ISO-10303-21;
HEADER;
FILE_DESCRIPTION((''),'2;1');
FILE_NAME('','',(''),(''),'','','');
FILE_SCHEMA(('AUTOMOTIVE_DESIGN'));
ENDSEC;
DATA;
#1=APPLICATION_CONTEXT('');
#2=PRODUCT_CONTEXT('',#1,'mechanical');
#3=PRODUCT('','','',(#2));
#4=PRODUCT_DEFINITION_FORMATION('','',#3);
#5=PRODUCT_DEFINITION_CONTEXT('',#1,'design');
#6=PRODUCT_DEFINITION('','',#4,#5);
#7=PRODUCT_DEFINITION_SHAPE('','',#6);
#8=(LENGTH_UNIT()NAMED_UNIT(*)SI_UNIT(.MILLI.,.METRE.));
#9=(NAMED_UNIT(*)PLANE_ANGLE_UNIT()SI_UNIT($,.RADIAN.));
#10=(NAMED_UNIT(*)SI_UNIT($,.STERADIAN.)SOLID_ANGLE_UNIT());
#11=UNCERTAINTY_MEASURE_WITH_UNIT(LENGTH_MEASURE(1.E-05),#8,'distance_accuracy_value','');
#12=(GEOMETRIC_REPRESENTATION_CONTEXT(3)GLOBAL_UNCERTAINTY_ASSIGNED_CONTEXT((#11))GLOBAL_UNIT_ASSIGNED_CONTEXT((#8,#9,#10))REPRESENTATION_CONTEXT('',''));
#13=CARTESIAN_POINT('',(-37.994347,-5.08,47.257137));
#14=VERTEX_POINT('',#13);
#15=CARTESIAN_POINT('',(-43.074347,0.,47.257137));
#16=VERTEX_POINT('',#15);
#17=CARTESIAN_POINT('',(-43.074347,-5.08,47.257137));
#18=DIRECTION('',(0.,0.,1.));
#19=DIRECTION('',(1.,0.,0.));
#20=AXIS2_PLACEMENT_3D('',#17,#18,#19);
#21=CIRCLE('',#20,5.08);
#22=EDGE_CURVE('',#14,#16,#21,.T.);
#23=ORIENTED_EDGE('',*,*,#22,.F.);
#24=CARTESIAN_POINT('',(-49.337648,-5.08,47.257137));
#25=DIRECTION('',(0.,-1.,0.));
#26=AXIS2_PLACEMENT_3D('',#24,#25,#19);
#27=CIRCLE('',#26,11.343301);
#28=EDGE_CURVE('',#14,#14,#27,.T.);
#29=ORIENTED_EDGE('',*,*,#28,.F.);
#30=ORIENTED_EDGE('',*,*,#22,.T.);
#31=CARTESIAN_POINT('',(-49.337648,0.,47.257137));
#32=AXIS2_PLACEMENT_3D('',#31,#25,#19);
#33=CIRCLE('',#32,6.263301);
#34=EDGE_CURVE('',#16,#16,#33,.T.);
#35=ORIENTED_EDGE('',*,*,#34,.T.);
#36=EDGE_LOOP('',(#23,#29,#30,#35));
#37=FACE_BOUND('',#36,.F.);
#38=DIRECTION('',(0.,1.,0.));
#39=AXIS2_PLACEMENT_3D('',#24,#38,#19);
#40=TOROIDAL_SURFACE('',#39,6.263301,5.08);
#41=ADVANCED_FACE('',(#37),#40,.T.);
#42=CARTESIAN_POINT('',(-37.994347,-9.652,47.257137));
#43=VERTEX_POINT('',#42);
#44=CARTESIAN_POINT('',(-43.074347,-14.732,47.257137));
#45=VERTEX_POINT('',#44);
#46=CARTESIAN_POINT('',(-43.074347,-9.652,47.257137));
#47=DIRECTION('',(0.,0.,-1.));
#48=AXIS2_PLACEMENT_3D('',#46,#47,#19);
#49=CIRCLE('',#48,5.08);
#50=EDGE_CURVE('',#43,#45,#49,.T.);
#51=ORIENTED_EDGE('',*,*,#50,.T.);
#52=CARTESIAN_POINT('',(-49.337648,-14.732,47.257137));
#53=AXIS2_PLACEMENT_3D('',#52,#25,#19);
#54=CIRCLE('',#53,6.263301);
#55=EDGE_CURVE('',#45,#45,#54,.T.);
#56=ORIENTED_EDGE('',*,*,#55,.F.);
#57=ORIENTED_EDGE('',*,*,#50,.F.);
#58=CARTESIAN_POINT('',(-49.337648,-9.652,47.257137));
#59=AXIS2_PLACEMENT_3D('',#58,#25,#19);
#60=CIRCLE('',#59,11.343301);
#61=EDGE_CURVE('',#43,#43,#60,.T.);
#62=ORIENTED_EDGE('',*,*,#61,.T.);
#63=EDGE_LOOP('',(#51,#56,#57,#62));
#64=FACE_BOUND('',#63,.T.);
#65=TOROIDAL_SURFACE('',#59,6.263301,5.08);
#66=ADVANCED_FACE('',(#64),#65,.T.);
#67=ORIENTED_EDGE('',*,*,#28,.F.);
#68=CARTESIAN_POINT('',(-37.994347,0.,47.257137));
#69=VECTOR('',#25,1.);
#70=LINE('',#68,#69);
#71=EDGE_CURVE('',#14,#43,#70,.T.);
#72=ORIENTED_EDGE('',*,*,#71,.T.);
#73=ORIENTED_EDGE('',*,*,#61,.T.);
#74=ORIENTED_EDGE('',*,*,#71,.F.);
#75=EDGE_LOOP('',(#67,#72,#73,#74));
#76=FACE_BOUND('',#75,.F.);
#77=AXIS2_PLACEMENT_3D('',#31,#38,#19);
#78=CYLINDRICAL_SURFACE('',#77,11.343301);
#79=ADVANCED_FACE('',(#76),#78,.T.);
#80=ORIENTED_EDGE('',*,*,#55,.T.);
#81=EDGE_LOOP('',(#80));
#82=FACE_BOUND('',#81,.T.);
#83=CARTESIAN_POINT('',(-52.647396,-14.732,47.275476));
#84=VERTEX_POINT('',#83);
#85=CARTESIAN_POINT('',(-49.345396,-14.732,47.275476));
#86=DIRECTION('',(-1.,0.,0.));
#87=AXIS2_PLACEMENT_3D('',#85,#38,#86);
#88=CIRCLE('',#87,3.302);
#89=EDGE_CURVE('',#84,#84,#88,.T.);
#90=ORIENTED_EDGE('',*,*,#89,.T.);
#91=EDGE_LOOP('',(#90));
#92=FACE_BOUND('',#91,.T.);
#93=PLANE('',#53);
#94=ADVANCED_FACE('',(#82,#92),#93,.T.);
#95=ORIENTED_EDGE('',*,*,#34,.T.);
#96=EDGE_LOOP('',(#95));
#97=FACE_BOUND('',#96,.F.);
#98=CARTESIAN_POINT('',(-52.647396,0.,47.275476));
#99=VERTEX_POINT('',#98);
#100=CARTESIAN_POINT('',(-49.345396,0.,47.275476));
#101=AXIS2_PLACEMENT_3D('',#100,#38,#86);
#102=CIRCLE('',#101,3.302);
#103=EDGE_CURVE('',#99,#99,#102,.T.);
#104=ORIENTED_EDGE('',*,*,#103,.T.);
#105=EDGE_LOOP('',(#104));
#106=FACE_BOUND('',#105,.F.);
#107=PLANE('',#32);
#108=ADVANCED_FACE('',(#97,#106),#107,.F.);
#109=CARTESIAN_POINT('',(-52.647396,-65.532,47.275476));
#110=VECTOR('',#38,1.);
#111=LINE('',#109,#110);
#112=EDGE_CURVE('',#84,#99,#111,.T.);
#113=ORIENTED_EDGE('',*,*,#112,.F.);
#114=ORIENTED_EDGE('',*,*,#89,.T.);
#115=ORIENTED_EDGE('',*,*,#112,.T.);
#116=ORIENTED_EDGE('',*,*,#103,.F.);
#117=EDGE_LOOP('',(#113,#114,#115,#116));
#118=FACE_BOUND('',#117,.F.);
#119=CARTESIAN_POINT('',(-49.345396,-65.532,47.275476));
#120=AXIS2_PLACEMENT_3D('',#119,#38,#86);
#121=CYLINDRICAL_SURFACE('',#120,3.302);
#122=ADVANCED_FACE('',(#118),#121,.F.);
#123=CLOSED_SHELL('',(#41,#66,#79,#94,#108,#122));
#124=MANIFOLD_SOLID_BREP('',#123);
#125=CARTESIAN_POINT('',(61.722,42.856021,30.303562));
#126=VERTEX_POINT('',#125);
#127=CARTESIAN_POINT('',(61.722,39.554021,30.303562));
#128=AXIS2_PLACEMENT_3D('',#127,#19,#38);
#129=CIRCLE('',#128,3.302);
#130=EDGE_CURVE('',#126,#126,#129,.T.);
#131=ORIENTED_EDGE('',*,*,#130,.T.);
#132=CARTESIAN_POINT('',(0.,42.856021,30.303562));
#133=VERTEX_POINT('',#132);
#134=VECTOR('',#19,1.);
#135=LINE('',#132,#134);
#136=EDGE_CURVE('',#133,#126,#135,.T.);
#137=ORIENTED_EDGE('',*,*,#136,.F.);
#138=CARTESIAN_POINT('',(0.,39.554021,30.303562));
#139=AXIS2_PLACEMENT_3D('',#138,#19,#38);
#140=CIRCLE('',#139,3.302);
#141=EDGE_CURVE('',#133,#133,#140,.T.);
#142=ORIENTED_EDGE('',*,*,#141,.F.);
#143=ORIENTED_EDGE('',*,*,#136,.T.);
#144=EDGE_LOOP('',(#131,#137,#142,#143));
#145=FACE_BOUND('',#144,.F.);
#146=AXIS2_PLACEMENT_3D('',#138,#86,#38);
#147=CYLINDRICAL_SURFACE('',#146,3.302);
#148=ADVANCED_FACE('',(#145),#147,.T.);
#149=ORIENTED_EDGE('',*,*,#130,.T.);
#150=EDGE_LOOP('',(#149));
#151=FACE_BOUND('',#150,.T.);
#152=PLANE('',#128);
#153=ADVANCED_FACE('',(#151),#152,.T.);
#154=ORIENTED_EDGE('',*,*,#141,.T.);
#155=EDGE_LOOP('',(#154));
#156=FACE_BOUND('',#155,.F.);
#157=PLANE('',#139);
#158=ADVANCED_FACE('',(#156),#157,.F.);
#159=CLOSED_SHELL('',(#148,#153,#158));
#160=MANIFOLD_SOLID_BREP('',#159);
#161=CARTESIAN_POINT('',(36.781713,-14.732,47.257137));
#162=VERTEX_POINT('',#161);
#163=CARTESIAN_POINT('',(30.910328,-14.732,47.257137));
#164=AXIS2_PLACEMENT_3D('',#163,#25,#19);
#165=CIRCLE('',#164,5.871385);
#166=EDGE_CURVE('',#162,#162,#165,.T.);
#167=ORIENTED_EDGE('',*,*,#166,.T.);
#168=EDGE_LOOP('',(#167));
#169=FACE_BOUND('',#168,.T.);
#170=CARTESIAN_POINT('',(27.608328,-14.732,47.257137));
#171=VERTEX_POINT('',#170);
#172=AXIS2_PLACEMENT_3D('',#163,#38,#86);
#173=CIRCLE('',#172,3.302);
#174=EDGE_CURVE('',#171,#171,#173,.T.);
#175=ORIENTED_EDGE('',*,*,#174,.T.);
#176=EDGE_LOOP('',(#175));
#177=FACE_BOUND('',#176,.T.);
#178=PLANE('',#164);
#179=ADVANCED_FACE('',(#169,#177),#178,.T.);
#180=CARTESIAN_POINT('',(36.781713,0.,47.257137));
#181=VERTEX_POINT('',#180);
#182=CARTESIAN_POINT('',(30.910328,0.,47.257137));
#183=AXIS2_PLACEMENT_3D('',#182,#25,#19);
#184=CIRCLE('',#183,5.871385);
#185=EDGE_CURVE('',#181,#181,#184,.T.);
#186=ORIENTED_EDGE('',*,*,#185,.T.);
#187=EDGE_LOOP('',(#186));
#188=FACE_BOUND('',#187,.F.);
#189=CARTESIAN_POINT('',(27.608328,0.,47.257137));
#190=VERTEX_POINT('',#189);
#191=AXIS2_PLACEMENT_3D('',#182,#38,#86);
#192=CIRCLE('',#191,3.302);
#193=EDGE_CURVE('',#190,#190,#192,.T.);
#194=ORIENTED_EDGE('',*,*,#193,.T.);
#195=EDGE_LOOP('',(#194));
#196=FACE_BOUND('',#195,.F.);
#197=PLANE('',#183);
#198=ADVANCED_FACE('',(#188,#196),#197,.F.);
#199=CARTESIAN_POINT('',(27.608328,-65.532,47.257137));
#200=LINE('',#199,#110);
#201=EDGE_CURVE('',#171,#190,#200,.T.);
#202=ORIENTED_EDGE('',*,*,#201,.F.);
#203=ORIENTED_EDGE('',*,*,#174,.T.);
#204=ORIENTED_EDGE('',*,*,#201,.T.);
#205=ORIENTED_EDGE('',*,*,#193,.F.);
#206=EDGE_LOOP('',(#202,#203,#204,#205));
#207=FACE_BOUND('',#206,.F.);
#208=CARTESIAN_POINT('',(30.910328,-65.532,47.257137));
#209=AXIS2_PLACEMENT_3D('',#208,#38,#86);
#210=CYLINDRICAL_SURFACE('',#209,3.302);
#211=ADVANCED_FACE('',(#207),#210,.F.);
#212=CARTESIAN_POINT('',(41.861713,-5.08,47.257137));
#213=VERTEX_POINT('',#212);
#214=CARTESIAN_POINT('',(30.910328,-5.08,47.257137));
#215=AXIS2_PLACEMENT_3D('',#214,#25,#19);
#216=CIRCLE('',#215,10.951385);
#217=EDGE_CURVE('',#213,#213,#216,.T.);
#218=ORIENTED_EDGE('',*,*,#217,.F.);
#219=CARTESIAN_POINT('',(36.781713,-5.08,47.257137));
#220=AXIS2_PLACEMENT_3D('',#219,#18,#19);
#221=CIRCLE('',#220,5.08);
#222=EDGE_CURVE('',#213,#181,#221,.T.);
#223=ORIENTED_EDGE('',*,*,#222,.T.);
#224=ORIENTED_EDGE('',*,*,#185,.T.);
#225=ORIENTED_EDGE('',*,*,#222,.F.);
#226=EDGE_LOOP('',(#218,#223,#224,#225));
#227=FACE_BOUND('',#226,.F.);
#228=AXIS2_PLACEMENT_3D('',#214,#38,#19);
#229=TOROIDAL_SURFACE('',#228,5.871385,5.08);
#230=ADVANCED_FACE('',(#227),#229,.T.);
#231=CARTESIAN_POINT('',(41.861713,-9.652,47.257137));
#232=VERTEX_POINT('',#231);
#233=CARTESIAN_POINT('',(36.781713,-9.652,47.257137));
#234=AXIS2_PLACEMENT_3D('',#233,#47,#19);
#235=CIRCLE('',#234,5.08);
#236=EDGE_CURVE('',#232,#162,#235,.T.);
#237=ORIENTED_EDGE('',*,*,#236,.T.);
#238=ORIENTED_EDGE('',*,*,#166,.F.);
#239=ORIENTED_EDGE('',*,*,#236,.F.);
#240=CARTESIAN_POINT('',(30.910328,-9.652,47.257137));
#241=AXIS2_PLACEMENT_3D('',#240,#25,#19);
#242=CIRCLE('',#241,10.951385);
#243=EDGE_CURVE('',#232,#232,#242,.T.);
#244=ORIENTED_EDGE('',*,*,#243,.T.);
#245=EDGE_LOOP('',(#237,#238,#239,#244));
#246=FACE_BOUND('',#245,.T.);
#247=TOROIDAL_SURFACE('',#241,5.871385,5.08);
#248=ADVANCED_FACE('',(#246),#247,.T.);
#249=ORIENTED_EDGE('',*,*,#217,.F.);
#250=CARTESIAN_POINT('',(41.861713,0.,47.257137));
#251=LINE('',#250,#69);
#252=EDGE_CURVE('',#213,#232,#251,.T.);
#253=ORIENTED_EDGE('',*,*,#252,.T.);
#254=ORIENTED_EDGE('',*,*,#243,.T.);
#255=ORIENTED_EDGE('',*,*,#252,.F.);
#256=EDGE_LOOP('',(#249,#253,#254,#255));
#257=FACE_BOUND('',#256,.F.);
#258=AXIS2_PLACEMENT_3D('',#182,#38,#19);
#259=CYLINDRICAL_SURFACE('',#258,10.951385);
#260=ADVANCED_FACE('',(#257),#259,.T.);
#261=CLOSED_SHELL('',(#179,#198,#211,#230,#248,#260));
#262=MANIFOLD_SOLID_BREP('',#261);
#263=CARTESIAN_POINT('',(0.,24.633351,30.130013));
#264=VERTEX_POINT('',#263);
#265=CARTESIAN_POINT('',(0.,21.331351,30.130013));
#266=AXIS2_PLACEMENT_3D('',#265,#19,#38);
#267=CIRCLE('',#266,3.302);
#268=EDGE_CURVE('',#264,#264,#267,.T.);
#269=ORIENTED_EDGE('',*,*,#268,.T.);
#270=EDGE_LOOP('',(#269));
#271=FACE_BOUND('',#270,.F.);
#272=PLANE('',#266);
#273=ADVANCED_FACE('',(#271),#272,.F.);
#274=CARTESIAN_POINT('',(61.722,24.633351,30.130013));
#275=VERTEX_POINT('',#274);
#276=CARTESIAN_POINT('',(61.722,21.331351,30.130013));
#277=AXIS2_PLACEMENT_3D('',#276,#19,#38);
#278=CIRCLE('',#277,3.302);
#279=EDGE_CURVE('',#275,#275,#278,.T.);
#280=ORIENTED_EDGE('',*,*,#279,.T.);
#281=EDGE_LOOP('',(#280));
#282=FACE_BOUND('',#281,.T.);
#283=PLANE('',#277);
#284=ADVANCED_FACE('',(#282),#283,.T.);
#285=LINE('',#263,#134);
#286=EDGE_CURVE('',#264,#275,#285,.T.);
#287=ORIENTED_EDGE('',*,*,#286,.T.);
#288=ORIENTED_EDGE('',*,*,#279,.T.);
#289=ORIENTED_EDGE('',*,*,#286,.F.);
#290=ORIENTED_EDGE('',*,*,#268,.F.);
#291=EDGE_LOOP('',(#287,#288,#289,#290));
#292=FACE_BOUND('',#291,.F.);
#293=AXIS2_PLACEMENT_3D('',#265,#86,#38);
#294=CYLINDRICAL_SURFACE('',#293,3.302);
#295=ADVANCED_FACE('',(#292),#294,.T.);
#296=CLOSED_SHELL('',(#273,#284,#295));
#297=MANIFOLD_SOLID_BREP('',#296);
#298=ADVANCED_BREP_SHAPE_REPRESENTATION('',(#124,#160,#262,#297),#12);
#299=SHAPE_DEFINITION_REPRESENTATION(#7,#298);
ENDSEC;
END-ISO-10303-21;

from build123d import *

# Parameters (mm, degrees)
F0_R     = 11.343301
F0_R_2   = 10.951385
F1_DEPTH = 14.732
F2_R     = 5.08
F3_R     = 3.302
F4_DEPTH = 61.722
F7_D     = 6.604
F7_DEPTH = 50.8
F8_D     = 6.604
F8_DEPTH = 50.8


with BuildPart() as f1:
    # F0 (on Front) → F1 (new body)
    with BuildSketch(Plane.XZ):
        with Locations((-49.337648, 47.257137)):
            Circle(F0_R)
        with Locations((30.910328, 47.257137)):
            Circle(F0_R_2)
    extrude(amount=F1_DEPTH)

    # F2
    f2_edges = [f1.edges().sort_by_distance(p)[0] for p in [
        (19.958943, -14.732, 47.257137),
        (19.958943, 0, 47.257137),
        (-60.680949, 0, 47.257137),
        (-60.680949, -14.732, 47.257137),
    ]]
    fillet(f2_edges, radius=F2_R)

    # F7
    with Locations(Plane.XZ.offset(14.732)):
        with Locations((-49.345396, 47.275476)):
            Hole(F7_D / 2, depth=F7_DEPTH)

    # F8
    with Locations(Plane.XZ.offset(14.732)):
        with Locations((30.910328, 47.257137)):
            Hole(F8_D / 2, depth=F8_DEPTH)


with BuildPart() as f4:
    # F3 (on Right) → F4 (new body)
    with BuildSketch(Plane.YZ):
        with Locations((21.331351, 30.130013)):
            Circle(F3_R)
        with Locations((39.554021, 30.303562)):
            Circle(F3_R)
    extrude(amount=F4_DEPTH)


solid = Compound([f1.part, f4.part])
